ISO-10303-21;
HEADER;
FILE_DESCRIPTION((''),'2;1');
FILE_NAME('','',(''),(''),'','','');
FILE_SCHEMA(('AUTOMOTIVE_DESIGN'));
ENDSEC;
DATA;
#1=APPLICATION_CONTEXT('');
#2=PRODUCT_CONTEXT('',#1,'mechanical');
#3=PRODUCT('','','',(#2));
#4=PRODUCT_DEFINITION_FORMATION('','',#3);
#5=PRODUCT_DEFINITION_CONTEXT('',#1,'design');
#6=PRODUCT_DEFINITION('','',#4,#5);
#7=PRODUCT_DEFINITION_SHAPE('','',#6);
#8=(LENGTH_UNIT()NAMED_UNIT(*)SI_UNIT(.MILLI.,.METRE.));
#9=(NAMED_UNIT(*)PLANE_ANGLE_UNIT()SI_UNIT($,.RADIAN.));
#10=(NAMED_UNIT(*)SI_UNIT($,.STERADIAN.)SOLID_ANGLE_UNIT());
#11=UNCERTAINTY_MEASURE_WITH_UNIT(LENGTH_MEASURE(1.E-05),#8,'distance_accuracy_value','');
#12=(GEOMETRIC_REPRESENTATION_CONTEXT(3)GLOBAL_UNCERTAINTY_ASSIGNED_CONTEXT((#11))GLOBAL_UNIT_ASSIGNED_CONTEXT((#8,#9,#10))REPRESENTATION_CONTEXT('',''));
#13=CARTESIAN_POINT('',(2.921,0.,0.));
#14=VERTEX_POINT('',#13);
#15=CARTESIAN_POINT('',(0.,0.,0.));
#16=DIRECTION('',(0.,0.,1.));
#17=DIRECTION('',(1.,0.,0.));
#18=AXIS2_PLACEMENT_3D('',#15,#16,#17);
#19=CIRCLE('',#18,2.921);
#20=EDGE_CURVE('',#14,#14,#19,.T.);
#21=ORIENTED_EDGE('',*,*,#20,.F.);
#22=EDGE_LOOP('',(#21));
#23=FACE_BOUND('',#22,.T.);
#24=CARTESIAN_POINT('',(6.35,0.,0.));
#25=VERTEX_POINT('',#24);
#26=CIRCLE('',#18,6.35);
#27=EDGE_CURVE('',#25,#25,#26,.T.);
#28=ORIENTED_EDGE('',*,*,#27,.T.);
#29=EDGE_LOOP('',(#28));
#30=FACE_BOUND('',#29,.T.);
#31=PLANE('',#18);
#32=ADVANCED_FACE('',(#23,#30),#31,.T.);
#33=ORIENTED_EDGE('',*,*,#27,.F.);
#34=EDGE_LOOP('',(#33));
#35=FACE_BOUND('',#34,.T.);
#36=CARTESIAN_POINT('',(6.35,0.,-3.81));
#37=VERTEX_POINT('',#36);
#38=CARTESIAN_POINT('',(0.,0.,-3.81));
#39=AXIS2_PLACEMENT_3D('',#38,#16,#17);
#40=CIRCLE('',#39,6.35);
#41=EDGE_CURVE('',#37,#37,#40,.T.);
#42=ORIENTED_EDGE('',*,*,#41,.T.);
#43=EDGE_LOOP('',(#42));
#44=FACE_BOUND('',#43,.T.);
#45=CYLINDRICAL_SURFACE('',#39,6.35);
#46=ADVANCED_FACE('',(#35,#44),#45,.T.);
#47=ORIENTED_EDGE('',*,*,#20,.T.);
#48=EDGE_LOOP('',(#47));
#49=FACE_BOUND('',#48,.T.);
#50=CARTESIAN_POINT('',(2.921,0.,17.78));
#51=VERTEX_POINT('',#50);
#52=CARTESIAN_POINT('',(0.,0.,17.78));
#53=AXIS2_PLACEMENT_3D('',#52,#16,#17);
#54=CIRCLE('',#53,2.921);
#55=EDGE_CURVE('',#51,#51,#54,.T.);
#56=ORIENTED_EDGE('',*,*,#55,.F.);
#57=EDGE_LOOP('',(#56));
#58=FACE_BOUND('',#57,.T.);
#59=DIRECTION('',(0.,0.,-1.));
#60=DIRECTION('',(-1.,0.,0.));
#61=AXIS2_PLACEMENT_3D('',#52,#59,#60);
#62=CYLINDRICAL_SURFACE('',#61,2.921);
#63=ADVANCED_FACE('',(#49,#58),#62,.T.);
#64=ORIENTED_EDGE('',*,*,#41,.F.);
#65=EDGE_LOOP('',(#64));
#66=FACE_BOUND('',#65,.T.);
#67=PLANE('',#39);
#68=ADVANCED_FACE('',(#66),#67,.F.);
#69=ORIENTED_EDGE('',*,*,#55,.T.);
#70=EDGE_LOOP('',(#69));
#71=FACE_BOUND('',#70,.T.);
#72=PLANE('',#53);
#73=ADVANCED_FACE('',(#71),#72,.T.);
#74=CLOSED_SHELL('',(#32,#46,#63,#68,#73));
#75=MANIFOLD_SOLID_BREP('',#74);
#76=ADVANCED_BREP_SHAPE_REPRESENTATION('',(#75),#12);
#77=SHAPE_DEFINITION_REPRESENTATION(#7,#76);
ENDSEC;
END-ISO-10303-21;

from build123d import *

# Parameters (mm, degrees)
SKETCH1_R           = 2.921
BOSS_EXTRUDE1_DEPTH = 17.78
SKETCH2_R           = 6.35
BOSS_EXTRUDE2_DEPTH = 3.81


with BuildPart() as part:
    # Sketch1 → Boss-Extrude1 (new body)
    with BuildSketch(Plane.XY):
        Circle(SKETCH1_R)
    extrude(amount=BOSS_EXTRUDE1_DEPTH)

    # Sketch2 → Boss-Extrude2 (add)
    with BuildSketch(Plane.XY):
        Circle(SKETCH2_R)
    extrude(amount=-BOSS_EXTRUDE2_DEPTH)


solid = part.part
